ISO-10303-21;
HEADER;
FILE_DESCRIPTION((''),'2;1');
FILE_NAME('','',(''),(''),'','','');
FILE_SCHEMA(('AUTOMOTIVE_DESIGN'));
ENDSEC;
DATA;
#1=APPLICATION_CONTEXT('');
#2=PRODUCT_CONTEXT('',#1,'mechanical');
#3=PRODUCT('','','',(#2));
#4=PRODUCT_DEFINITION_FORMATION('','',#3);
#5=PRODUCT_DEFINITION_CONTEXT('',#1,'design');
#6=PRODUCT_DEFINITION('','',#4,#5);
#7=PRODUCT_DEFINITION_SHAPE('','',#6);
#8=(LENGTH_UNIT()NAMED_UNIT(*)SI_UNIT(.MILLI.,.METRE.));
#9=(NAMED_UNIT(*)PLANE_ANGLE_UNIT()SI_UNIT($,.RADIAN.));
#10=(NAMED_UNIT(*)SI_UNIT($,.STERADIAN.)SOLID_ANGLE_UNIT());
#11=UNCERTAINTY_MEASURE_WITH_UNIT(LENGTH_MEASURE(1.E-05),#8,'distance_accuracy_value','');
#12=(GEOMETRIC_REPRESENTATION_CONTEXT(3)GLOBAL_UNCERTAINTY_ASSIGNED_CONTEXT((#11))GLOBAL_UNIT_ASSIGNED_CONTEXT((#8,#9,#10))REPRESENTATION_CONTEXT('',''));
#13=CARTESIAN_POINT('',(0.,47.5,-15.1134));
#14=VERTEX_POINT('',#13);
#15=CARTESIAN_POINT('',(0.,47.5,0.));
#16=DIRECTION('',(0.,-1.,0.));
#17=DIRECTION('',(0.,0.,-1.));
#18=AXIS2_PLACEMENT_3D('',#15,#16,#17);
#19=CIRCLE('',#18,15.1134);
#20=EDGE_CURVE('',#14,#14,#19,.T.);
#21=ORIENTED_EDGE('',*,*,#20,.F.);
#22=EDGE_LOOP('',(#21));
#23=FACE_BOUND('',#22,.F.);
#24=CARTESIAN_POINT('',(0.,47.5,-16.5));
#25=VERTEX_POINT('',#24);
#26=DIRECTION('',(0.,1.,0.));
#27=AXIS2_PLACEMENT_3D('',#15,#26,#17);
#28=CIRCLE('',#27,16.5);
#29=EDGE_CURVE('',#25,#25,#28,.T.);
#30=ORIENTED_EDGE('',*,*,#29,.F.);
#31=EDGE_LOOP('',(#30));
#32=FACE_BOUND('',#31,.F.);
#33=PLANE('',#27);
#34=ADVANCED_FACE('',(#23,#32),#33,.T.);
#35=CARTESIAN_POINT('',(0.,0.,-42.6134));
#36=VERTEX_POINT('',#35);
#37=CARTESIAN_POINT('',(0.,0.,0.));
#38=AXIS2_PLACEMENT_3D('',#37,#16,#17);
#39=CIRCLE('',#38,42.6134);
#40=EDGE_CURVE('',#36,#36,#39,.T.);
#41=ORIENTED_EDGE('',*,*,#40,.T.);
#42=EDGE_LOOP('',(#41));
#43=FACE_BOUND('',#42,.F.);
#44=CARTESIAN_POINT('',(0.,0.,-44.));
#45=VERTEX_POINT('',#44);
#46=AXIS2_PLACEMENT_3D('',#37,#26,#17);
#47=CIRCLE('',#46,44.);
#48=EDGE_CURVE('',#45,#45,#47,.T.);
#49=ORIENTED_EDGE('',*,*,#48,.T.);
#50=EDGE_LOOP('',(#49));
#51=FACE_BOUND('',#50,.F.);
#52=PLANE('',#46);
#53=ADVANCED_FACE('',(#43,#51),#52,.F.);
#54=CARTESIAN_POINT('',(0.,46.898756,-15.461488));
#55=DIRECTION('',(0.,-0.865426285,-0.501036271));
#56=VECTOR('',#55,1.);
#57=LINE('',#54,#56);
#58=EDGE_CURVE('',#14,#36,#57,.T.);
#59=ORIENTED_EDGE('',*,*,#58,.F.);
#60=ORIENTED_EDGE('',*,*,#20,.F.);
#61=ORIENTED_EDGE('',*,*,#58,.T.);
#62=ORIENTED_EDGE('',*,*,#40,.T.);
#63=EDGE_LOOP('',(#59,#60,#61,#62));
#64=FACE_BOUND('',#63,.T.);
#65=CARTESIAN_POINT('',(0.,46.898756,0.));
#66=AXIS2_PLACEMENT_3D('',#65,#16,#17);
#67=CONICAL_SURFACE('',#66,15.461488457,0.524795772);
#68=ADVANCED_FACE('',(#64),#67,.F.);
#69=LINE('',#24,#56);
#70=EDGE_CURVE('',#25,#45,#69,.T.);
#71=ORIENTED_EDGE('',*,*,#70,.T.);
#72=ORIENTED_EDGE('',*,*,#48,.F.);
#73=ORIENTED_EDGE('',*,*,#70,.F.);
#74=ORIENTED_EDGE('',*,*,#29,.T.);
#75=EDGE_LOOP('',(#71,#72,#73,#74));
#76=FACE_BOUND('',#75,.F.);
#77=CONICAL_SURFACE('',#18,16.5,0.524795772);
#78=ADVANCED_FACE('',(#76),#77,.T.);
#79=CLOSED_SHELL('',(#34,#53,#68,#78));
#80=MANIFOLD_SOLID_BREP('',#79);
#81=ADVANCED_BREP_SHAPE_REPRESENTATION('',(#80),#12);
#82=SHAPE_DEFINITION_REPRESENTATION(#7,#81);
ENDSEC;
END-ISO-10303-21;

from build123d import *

# Parameters (mm, degrees)
SHELL4_T = -1.2


with BuildPart() as part:
    # Sketch1 → Revolve1 (revolve)
    with BuildSketch(Plane.XY, mode=Mode.PRIVATE) as revolve1_sk:
        Polygon((-16.5, 47.5), (-44, 0), (0, 0), (0, 47.5), align=None)
    revolve(revolve1_sk.sketch.rotate(Axis((0, 0, 0), (0, 1, 0)), 270), axis=Axis((0, 0, 0), (0, 1, 0)))

    # Shell4
    shell4_openings = [part.faces().sort_by_distance(p)[0] for p in [
        (0, 47.5, 0),
        (0, 0, 0),
    ]]
    offset(amount=SHELL4_T, openings=shell4_openings, kind=Kind.INTERSECTION)


solid = part.part
